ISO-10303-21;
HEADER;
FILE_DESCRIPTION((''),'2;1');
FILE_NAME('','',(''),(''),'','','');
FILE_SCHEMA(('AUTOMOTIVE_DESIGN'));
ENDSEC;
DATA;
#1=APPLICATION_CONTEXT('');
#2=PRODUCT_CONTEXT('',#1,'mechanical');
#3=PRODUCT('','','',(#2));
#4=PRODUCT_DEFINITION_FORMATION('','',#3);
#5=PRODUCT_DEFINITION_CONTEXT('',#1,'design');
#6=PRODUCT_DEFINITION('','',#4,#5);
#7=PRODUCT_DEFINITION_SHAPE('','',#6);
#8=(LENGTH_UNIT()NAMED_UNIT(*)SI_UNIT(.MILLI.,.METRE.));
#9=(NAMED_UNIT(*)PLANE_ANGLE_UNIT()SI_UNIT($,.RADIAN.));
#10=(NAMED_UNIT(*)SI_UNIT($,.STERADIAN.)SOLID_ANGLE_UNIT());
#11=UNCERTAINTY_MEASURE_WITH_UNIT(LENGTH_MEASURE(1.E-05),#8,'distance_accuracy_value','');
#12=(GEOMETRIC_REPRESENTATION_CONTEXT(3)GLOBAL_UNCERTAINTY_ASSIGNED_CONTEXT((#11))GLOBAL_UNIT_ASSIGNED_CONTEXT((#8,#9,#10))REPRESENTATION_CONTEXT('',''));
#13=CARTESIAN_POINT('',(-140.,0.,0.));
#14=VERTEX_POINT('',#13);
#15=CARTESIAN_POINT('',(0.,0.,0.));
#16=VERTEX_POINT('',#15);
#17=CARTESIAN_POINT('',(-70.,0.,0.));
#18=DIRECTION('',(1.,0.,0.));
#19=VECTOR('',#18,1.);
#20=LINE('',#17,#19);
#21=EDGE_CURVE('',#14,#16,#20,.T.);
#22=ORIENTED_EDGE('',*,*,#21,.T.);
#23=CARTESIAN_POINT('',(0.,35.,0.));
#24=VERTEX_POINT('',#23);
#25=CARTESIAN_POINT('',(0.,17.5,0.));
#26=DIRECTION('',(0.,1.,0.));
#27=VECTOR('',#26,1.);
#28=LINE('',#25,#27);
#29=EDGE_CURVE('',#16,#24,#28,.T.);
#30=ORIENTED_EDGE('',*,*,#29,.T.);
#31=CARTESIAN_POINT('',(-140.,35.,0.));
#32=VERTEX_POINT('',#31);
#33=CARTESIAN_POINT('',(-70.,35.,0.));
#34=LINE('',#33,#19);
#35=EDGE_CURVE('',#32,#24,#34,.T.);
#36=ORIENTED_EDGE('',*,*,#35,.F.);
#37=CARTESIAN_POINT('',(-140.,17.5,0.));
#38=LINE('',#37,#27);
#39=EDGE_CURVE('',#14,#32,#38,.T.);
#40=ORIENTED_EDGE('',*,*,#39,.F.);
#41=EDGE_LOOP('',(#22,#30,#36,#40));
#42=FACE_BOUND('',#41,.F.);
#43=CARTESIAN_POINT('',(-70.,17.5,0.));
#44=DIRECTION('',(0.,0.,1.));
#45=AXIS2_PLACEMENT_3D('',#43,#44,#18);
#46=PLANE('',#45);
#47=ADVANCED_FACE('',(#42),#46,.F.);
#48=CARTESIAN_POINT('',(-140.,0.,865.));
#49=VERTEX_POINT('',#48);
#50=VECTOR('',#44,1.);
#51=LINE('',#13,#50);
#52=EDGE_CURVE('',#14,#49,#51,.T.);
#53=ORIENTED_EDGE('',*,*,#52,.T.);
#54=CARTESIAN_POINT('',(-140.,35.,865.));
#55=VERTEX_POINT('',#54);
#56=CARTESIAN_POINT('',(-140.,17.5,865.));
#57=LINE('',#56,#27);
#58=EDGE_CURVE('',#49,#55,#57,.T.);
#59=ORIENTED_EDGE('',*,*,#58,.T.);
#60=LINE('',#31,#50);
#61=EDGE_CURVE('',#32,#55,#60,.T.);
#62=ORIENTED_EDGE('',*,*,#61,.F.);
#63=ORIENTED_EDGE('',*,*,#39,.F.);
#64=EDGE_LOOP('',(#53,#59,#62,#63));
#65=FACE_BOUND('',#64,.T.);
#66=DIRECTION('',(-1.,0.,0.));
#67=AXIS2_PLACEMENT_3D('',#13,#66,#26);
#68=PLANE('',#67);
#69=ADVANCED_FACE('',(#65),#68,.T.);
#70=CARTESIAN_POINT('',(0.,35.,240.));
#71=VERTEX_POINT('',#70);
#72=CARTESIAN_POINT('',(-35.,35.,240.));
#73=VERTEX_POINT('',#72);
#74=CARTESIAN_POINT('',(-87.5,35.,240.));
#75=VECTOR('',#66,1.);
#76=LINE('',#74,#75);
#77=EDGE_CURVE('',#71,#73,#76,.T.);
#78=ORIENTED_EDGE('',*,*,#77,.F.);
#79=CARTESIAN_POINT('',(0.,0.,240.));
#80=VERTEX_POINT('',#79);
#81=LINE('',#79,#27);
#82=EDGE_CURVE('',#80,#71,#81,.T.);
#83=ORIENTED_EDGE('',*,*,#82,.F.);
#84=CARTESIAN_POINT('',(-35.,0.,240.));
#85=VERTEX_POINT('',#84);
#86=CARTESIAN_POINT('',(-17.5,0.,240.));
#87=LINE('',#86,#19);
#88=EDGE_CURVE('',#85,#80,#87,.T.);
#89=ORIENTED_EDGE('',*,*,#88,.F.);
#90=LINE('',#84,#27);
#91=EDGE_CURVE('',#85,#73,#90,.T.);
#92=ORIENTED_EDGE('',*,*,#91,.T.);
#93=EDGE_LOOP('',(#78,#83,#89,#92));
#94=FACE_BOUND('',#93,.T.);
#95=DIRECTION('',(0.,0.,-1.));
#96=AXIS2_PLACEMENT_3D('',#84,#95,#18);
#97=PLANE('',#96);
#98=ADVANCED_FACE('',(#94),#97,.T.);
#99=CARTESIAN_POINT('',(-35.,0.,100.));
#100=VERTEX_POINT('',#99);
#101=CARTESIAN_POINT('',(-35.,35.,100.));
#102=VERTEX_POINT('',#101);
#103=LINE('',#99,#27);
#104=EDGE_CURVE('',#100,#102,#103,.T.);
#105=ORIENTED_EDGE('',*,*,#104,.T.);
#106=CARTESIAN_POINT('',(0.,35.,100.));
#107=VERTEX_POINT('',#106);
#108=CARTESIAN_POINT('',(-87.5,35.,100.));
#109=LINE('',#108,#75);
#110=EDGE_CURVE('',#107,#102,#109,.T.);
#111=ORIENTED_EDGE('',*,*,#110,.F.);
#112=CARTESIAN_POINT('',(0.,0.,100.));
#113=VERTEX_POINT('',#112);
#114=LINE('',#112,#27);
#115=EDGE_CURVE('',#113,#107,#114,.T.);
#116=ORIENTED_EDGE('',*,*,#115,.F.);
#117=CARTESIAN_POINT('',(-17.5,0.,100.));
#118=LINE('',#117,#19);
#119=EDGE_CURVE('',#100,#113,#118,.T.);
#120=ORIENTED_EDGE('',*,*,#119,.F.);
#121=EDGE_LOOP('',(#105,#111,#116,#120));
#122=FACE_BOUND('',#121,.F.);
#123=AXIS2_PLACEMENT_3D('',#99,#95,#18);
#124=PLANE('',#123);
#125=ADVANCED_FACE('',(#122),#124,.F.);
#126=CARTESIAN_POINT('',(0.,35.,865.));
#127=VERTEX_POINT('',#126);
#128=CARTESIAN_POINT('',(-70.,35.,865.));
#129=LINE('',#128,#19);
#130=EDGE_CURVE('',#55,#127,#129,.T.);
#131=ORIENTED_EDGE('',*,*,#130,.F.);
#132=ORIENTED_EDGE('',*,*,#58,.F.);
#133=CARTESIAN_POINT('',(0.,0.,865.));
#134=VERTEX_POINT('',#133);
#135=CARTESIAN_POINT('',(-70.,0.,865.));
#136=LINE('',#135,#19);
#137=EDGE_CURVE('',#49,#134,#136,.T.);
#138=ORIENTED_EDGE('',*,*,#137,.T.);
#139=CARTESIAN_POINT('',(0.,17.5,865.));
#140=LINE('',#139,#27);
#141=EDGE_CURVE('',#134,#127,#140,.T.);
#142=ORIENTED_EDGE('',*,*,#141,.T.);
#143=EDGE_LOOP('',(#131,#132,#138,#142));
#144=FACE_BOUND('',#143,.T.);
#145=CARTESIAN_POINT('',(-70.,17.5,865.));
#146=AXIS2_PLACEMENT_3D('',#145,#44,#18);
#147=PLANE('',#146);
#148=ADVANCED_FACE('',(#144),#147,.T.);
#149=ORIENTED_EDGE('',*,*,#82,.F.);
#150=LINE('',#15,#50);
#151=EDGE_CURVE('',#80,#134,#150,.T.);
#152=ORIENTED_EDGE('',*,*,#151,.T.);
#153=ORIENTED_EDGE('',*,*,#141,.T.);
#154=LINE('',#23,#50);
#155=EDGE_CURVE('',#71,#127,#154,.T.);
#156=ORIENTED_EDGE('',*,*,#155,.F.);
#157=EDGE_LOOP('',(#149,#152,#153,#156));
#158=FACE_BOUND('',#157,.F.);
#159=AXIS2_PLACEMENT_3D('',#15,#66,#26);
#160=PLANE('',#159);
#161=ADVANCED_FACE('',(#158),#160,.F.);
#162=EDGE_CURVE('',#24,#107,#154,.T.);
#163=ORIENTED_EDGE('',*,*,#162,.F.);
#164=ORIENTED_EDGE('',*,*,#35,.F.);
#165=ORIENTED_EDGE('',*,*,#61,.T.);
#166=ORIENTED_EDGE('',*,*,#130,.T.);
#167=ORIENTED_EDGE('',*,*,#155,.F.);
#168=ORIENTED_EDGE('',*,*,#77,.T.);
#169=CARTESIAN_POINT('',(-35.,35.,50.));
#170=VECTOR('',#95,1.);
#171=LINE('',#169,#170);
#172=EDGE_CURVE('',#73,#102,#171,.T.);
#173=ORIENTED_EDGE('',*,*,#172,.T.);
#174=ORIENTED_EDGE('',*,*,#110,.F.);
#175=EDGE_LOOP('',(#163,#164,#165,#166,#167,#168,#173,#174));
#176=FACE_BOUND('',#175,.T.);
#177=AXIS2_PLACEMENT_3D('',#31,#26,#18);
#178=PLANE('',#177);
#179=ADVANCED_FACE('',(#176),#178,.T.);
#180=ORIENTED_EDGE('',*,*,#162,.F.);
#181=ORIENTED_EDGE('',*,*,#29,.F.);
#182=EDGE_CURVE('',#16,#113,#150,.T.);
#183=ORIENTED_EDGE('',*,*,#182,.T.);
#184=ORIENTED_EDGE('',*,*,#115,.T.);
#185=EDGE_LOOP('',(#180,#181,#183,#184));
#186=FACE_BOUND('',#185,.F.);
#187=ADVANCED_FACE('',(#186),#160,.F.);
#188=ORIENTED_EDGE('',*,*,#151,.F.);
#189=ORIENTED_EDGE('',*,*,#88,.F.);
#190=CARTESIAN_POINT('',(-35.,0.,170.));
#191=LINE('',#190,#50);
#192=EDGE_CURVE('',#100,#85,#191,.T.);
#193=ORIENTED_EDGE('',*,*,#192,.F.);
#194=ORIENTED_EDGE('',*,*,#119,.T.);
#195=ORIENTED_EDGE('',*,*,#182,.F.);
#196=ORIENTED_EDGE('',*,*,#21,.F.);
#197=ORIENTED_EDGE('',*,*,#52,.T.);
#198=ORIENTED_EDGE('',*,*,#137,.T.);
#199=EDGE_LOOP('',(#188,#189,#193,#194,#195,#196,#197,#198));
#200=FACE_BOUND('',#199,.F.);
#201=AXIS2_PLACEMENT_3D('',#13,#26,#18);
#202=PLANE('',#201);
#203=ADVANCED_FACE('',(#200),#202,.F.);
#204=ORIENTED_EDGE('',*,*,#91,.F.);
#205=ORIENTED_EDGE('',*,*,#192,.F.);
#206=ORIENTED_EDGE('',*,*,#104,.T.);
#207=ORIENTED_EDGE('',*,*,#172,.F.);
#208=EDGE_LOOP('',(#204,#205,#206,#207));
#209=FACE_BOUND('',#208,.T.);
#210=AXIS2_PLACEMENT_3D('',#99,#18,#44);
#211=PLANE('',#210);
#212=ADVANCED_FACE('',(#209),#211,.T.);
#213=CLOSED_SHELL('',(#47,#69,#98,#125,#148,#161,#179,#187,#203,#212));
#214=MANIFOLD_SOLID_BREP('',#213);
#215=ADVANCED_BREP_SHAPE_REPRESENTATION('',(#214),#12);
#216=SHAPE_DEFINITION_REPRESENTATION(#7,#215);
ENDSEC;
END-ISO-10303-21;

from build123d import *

# Parameters (mm, degrees)
SKETCH_W     = 140
SKETCH_H     = 35
PAD_DEPTH    = 865
SKETCH001_W  = 35
SKETCH001_H  = 140
POCKET_DEPTH = 35.001


with BuildPart() as part:
    # Sketch → Pad (new body)
    with BuildSketch(Plane.XY):
        with Locations((-70, 17.5)):
            Rectangle(SKETCH_W, SKETCH_H)
    extrude(amount=PAD_DEPTH)

    # Sketch001 (on Face1 of Pad) → Pocket (cut, through all)
    with BuildSketch(Plane.XZ):
        with Locations((-17.5, 170)):
            Rectangle(SKETCH001_W, SKETCH001_H)
    extrude(amount=-POCKET_DEPTH, mode=Mode.SUBTRACT)


solid = part.part
